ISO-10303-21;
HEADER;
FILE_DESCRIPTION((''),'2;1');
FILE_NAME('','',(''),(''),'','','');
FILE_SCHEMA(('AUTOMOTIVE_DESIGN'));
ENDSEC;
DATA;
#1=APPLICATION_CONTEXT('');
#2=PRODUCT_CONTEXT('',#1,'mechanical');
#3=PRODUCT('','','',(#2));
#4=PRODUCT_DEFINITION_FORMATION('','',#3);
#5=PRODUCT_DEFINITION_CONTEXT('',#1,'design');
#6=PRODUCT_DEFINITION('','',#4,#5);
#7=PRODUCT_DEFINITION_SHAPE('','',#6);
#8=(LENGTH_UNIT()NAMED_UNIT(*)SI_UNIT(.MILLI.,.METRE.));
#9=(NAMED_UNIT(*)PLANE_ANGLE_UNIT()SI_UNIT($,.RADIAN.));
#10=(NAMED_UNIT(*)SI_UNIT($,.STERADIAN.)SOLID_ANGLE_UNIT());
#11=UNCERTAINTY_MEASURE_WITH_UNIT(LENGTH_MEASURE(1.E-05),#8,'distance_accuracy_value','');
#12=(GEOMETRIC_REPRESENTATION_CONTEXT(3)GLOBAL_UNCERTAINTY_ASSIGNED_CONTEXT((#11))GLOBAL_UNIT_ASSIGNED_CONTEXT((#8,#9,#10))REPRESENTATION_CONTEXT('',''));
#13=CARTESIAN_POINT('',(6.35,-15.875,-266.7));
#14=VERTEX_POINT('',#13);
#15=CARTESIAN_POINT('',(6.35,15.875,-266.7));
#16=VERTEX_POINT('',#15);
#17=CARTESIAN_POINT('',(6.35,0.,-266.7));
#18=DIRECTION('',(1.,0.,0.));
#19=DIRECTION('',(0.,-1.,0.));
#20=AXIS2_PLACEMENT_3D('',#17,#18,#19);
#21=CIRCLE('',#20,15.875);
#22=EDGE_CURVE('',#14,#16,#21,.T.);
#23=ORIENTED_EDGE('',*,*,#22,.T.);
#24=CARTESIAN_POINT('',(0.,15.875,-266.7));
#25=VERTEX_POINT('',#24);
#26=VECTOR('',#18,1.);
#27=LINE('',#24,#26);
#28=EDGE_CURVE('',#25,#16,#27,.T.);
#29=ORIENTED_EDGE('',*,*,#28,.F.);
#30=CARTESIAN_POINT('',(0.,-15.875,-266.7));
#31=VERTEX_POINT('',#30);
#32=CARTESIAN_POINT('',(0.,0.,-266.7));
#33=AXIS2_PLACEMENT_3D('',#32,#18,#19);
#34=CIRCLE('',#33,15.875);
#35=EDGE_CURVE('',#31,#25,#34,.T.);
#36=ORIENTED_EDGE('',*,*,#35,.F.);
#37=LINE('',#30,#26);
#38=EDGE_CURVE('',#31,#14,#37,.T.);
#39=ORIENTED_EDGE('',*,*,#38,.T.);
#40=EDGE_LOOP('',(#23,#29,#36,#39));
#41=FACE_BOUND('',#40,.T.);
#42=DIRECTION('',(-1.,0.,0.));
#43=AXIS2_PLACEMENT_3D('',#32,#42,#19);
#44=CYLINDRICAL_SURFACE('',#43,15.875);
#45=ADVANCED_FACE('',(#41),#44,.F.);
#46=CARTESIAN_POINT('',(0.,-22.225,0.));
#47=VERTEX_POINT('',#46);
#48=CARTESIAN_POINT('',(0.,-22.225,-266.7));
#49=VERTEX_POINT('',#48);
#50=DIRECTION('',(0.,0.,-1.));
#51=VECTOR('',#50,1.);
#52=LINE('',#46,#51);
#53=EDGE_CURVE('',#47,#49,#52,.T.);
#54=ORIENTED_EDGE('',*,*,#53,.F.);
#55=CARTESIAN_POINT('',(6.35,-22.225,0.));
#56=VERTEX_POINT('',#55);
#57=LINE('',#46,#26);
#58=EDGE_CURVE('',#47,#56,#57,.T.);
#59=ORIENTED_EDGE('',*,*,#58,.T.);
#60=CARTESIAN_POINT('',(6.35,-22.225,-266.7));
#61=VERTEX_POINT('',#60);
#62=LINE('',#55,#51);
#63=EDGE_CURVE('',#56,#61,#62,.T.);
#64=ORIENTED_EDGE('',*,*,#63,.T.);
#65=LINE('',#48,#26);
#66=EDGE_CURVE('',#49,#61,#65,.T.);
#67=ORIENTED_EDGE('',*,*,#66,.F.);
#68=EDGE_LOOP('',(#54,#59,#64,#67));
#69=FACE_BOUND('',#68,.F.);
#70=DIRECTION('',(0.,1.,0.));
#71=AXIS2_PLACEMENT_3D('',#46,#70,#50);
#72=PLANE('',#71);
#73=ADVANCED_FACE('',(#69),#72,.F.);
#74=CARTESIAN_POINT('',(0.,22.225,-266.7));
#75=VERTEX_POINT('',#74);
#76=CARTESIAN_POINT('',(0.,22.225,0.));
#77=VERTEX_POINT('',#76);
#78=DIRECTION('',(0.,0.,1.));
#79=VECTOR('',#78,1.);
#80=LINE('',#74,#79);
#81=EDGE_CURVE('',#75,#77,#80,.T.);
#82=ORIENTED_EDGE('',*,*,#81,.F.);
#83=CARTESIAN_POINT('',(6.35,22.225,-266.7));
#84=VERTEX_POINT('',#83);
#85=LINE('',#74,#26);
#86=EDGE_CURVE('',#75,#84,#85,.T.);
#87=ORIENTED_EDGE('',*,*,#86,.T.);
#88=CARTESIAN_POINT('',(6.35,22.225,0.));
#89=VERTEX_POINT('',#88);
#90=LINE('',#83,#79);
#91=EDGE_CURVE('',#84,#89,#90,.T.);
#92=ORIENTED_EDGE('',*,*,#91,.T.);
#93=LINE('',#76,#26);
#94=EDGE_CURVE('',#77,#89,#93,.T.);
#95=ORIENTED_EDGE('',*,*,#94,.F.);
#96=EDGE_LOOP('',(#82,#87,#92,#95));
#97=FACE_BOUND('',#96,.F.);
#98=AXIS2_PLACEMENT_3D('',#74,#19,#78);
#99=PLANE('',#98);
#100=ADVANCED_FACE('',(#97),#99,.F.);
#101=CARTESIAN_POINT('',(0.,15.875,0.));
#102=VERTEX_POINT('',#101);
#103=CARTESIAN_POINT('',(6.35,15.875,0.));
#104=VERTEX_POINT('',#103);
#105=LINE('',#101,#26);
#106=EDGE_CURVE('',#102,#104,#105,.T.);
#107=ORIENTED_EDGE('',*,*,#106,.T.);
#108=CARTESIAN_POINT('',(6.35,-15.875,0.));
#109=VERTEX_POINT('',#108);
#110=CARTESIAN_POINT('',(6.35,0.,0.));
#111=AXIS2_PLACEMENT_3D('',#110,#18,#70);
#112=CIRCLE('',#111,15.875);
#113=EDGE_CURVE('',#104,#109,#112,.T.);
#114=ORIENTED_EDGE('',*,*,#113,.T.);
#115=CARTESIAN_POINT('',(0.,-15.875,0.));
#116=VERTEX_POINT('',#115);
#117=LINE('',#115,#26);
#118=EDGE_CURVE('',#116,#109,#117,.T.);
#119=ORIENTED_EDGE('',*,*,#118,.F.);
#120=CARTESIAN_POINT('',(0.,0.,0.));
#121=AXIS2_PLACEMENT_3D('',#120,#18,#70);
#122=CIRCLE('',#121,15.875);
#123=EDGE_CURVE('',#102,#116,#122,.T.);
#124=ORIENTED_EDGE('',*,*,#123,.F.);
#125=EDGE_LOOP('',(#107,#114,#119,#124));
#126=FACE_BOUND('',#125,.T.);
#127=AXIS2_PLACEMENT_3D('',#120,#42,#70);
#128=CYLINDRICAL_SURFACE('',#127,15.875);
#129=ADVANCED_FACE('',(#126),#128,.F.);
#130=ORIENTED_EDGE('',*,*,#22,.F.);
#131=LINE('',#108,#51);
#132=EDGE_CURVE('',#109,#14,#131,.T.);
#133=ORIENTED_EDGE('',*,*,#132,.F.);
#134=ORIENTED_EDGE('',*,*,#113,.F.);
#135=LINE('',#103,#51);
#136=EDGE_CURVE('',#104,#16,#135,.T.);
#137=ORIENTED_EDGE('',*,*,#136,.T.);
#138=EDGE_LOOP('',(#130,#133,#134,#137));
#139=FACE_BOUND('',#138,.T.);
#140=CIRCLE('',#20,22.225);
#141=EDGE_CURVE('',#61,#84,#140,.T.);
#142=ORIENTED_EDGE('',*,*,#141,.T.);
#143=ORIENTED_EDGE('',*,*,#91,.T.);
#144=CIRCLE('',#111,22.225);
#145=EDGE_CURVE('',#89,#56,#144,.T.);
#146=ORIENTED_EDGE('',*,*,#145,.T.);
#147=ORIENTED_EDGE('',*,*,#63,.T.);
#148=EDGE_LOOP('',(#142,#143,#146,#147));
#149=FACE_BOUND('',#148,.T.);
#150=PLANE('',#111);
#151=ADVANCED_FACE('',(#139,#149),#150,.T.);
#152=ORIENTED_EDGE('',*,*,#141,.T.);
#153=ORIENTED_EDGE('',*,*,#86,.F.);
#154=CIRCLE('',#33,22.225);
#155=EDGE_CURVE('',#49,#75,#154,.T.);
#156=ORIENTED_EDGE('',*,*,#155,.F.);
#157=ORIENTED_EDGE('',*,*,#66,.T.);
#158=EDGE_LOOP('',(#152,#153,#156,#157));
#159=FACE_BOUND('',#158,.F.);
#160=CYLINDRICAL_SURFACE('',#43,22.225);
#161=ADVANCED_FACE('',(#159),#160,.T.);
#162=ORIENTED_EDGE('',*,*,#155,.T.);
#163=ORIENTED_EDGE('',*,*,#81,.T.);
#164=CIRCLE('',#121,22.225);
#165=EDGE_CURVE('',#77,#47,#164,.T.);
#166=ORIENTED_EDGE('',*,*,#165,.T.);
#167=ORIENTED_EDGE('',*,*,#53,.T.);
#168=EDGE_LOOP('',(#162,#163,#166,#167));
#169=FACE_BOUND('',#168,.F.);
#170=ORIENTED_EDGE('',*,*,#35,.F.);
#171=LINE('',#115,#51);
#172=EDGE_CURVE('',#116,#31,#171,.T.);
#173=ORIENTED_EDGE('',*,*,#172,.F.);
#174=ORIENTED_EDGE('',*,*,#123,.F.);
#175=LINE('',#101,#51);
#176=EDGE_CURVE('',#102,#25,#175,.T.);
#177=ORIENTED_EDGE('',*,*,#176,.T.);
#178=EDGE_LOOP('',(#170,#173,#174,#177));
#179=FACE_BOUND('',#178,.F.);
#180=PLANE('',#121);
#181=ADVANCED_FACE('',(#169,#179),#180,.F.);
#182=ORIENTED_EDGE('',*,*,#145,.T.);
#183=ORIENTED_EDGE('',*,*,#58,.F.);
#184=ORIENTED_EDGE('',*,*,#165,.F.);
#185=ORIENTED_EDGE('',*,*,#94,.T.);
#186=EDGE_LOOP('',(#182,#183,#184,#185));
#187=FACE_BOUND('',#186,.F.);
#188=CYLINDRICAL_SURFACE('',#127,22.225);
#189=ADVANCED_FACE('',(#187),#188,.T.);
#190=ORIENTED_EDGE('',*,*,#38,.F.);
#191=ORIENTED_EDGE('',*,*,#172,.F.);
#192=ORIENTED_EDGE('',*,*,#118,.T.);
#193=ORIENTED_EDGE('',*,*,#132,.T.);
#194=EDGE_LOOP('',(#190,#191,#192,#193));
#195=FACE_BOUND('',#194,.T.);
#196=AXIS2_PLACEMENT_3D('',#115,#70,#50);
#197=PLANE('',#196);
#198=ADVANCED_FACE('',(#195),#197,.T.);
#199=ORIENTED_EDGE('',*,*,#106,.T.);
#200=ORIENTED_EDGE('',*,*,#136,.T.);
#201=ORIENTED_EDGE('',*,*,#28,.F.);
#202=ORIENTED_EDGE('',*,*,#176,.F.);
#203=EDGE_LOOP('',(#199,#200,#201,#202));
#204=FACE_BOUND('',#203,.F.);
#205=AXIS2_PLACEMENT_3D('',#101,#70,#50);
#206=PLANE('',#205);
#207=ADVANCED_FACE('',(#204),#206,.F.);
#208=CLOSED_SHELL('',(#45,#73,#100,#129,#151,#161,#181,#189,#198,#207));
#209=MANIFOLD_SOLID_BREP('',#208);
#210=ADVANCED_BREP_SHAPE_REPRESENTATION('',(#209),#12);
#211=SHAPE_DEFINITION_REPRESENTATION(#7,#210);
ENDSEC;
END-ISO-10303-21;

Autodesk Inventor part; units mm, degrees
ref_plane "YZ Plane" through (0, 0, 0) normal (1, 0, 0) x (0, 1, 0)
ref_plane "XZ Plane" through (0, 0, 0) normal (0, 1, 0) x (-1, 0, 0)
ref_plane "XY Plane" through (0, 0, 0) normal (0, 0, 1) x (1, 0, 0)
sketch "Sketch1" plane through (0, 0, 0) normal (1, 0, 0) x (0, 1, 0)
  line L0 (0, 0) -> (0, -266.7) construction
  line L1 (0, 0) -> (15.875, 0) construction
  line L2 (0, 0) -> (-15.875, 0) construction
  line L3 (0, -266.7) -> (15.875, -266.7) construction
  line L4 (0, -266.7) -> (15.875, -266.7) construction
  line L5 (0, -266.7) -> (-15.875, -266.7) construction
  line L6 (0, -266.7) -> (15.875, -266.7) construction
  arc A0 (15.875, 0) -> (-15.875, 0) centre (0, 0) ccw
  line L7 (15.875, 0) -> (15.875, -266.7)
  line L8 (-15.875, 0) -> (-15.875, -266.7)
  arc A1 (-15.875, -266.7) -> (15.875, -266.7) centre (0, -266.7) ccw
  line L9 (22.225, -266.7) -> (22.225, 0)
  arc A2 (22.225, 0) -> (-22.225, 0) centre (0, 0) ccw
  line L10 (-22.225, 0) -> (-22.225, -266.7)
  arc A3 (-22.225, -266.7) -> (22.225, -266.7) centre (0, -266.7) ccw
  dimension "d0" = 266.7
  dimension "d3" = 15.875
  dimension "d4" = 15.875
  dimension "d5" = 15.875
  dimension "d6" = 0
  dimension "d7" = 15.875
  dimension "d8" = 180
  dimension "d9" = 15.875
  dimension "d10" = 15.875
  dimension "d11" = 6.35
extrude "Extrusion1" add sketch "Sketch1" along normal blind 6.35
properties part number "chain"
